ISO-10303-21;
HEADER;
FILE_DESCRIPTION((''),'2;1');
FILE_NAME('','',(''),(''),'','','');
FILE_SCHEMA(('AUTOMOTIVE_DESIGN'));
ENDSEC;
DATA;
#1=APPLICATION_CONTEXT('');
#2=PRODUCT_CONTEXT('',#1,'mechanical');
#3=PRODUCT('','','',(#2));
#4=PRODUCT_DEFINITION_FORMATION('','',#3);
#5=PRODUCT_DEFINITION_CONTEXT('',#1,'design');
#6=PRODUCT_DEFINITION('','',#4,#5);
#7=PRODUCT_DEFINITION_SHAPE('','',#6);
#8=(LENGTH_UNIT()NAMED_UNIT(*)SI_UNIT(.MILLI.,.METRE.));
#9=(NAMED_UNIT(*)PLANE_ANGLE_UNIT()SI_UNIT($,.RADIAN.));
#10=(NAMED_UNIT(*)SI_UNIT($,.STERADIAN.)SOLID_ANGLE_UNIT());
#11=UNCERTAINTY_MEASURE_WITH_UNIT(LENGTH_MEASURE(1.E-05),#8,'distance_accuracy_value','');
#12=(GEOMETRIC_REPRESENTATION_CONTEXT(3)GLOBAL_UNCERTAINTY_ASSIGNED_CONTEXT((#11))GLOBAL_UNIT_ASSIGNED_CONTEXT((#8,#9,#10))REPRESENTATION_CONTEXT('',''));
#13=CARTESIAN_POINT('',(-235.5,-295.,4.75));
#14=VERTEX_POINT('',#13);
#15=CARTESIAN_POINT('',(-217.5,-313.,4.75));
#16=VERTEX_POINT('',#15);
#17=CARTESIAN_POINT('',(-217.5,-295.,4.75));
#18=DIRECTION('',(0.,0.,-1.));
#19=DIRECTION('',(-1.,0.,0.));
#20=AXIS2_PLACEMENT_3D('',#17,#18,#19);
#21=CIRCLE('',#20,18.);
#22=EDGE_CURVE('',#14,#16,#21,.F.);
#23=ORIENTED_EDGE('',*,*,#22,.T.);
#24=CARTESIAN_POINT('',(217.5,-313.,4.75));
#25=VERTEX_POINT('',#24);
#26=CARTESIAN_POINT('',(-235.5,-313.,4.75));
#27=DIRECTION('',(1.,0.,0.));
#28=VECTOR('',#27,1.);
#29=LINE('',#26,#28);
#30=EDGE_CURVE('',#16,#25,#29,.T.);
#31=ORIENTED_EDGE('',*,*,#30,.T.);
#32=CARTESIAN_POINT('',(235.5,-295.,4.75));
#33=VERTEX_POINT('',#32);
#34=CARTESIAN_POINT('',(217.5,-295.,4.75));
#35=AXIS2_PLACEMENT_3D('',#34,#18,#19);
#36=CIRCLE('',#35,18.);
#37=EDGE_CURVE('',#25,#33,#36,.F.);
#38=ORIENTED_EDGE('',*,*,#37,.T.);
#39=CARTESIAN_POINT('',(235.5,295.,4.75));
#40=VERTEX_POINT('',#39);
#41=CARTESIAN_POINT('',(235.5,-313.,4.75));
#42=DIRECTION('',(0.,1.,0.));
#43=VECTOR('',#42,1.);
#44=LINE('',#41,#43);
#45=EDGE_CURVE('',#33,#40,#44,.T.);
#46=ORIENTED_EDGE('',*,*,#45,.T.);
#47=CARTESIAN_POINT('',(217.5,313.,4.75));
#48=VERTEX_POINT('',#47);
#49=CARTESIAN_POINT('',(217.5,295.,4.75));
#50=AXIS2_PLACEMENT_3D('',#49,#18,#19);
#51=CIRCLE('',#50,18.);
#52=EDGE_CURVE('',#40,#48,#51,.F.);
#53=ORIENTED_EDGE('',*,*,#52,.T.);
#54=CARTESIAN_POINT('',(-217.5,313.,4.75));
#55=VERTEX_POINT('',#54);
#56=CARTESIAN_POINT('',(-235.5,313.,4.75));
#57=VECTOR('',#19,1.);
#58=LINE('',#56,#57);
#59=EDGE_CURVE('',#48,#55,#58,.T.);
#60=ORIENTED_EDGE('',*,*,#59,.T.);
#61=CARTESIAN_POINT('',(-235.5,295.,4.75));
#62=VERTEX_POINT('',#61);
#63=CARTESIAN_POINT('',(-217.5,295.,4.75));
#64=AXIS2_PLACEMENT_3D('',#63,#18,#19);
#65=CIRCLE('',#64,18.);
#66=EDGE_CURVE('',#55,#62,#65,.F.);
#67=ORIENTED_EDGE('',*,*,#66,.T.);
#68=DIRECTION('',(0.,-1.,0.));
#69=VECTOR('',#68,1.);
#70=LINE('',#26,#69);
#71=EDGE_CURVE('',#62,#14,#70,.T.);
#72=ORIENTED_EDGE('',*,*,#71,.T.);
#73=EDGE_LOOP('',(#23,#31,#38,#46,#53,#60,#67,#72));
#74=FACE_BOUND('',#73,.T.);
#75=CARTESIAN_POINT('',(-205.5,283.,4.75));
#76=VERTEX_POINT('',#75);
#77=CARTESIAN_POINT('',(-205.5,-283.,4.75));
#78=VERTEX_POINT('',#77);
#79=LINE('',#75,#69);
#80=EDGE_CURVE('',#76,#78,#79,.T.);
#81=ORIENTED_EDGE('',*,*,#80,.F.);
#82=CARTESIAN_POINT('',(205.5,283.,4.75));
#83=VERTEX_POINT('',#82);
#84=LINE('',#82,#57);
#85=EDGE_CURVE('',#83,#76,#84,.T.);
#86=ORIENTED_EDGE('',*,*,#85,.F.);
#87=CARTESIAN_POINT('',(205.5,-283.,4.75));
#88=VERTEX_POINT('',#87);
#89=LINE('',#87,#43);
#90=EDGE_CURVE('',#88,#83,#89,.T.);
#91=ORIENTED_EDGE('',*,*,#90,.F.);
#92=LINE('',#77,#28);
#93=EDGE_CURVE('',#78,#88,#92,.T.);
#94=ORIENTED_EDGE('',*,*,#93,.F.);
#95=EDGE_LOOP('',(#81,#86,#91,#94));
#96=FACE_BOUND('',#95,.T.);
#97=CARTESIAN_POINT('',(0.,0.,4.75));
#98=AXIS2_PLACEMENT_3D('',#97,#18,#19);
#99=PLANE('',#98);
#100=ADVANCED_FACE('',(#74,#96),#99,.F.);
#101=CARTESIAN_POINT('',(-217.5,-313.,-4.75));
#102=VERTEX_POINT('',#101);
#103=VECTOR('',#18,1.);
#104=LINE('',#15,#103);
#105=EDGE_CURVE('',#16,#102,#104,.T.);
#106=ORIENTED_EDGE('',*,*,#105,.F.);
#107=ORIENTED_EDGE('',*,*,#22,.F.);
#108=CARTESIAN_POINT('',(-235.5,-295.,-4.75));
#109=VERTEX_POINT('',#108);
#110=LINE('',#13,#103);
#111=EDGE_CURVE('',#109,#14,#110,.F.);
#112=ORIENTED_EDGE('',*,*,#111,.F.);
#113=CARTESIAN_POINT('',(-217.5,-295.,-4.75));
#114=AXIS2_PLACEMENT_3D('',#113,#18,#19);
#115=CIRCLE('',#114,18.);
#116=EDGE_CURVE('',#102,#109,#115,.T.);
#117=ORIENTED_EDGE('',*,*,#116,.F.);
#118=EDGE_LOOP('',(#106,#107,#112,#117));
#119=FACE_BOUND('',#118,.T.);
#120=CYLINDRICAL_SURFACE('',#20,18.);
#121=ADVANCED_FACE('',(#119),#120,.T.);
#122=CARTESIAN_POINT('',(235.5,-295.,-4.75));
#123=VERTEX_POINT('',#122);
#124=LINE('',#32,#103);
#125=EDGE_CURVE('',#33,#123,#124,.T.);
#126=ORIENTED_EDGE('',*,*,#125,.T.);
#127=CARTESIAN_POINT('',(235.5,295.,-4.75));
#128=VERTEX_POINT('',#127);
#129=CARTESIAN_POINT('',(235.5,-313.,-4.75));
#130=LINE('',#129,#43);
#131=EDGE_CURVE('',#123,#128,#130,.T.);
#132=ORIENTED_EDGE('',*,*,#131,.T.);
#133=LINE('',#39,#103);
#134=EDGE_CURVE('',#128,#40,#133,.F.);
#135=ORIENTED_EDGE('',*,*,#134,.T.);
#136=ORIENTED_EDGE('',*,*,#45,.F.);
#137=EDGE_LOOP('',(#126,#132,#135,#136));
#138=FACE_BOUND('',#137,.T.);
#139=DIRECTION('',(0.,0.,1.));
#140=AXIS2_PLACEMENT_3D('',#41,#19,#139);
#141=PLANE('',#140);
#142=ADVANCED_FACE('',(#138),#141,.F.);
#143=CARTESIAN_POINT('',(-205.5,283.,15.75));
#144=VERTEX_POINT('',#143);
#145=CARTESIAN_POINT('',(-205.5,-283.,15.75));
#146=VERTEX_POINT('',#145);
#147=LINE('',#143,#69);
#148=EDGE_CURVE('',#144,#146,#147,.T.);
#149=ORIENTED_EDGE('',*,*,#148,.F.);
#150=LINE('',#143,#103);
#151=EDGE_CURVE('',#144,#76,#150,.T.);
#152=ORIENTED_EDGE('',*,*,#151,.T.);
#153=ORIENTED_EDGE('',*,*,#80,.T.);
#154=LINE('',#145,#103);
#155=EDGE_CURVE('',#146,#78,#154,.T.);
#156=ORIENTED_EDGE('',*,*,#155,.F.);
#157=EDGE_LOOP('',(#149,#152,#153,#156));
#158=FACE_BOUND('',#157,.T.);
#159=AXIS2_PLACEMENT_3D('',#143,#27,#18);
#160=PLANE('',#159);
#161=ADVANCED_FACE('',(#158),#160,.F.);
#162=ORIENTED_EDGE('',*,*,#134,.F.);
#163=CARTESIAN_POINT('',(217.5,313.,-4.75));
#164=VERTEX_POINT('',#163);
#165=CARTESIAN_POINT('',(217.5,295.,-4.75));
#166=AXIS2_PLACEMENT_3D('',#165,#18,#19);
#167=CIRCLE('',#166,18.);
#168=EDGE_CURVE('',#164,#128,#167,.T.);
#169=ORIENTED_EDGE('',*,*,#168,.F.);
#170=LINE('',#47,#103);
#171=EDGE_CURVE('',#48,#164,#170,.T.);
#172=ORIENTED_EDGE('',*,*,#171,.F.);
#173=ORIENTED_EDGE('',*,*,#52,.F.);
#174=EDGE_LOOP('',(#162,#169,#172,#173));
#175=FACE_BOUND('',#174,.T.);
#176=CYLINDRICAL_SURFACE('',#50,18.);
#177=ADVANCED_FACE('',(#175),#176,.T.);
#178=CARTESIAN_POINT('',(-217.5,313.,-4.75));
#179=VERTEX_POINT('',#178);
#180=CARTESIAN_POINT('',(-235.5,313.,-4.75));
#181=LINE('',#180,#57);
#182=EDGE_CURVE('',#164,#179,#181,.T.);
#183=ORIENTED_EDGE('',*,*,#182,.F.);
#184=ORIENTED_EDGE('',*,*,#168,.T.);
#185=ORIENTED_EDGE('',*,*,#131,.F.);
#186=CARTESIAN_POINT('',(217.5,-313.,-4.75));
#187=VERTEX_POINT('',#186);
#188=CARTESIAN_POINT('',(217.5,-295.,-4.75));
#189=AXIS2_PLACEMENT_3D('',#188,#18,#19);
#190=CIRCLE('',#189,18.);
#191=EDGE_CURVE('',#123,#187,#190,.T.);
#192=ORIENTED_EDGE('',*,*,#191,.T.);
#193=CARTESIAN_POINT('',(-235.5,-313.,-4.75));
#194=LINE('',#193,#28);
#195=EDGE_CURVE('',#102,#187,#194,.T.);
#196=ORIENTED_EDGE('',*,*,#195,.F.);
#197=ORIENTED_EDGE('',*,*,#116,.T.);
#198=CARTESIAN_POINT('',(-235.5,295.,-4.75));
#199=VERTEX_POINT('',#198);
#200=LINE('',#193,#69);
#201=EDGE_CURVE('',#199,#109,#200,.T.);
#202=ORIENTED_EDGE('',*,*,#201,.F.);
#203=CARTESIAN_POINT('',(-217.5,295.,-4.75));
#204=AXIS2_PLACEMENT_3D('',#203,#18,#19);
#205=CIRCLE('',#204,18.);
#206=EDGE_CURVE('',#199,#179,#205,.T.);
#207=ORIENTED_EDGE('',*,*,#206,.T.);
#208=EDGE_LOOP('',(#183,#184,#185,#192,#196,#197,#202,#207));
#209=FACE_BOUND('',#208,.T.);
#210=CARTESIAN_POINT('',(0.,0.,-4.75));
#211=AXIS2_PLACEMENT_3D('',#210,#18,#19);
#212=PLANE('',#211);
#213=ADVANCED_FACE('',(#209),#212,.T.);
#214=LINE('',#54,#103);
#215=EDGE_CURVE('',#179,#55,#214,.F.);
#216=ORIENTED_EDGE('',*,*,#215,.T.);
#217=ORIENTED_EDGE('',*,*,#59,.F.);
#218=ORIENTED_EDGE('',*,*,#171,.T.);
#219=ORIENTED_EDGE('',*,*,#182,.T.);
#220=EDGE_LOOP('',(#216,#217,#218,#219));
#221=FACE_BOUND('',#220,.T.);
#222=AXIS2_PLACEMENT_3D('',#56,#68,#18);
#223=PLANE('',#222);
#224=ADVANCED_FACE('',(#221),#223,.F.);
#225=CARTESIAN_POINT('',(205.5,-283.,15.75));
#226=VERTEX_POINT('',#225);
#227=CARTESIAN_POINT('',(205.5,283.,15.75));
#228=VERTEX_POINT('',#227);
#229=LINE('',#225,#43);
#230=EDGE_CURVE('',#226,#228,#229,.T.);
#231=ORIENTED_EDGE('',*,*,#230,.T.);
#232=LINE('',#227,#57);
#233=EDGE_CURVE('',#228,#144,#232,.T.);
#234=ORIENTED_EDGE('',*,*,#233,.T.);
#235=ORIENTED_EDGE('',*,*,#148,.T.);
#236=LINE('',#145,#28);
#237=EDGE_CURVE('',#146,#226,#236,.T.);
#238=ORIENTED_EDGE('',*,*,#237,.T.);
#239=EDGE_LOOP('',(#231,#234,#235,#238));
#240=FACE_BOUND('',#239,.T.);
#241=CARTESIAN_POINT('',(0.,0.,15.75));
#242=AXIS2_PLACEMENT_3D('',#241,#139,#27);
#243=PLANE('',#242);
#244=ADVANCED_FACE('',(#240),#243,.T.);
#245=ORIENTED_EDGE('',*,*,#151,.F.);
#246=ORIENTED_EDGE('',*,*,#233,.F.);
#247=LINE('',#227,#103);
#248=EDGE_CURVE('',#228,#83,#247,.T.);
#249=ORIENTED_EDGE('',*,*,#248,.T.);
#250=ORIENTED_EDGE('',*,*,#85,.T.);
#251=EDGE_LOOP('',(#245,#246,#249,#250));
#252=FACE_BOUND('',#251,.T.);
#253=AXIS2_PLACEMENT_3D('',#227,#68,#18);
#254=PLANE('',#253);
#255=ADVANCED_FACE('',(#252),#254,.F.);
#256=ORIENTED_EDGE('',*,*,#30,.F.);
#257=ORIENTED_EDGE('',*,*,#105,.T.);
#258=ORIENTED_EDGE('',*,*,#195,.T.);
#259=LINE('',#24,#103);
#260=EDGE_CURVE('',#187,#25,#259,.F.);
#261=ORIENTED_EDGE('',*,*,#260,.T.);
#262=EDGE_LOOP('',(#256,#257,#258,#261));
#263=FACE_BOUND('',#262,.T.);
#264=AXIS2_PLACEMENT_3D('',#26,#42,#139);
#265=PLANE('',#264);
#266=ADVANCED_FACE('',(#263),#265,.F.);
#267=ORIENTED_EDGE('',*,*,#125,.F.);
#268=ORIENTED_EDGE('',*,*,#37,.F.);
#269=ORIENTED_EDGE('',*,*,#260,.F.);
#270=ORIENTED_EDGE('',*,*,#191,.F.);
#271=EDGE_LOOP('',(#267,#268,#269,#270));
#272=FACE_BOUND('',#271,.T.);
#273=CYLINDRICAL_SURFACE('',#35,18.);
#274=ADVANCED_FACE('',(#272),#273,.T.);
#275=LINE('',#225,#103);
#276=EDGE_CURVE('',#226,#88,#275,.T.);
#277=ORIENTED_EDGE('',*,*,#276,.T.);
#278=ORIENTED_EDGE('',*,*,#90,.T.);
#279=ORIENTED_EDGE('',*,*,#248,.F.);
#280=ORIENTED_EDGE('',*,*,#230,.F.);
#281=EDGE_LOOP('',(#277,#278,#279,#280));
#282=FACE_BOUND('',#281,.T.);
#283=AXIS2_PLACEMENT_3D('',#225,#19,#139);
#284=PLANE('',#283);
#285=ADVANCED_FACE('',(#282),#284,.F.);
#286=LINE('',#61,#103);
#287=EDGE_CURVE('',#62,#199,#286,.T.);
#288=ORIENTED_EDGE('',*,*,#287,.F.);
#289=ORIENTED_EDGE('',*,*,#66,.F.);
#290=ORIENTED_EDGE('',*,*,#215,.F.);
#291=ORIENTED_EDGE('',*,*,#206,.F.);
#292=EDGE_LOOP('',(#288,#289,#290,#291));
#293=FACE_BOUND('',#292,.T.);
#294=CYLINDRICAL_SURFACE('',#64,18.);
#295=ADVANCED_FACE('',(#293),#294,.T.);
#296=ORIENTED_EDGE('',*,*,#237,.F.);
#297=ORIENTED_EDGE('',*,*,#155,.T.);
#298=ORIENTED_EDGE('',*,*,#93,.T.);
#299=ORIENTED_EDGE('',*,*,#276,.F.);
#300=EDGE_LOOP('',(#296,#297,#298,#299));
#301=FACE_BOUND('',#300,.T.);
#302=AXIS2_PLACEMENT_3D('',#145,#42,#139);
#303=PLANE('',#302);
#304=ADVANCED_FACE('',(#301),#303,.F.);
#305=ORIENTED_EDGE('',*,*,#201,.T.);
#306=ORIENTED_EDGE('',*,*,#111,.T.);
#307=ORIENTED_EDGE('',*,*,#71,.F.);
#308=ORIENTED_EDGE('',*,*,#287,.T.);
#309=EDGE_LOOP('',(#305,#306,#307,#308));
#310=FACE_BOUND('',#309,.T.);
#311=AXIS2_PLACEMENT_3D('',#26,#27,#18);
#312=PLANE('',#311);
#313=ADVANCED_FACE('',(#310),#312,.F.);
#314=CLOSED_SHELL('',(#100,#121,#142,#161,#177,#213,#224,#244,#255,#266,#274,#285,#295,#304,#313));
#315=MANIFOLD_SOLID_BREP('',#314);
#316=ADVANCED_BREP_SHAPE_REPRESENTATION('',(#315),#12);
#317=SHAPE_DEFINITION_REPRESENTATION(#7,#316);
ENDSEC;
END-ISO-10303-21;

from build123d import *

# Parameters (mm, degrees)
SKETCH_1_W      = 471
SKETCH_1_H      = 626
EXTRUDE_1_DEPTH = 4.75
FILLET_1_R      = 18
SKETCH_2_W      = 411
SKETCH_2_H      = 566
EXTRUDE_2_DEPTH = 11


with BuildPart() as part:
    # Эскиз1 → Бобышка-Вытянуть1 (new, symmetric)
    with BuildSketch(Plane.XY):
        Rectangle(SKETCH_1_W, SKETCH_1_H)
    extrude(amount=EXTRUDE_1_DEPTH, both=True)

    # Скругление1
    fillet_1_edges = [part.edges().sort_by_distance(p)[0] for p in [
        (235.5, -313, 0),
        (-235.5, -313, 0),
        (-235.5, 313, 0),
        (235.5, 313, 0),
    ]]
    fillet(fillet_1_edges, radius=FILLET_1_R)

    # Эскиз2 → Бобышка-Вытянуть2 (add)
    with BuildSketch(Plane.XY.offset(4.75)):
        Rectangle(SKETCH_2_W, SKETCH_2_H)
    extrude(amount=EXTRUDE_2_DEPTH)


solid = part.part
